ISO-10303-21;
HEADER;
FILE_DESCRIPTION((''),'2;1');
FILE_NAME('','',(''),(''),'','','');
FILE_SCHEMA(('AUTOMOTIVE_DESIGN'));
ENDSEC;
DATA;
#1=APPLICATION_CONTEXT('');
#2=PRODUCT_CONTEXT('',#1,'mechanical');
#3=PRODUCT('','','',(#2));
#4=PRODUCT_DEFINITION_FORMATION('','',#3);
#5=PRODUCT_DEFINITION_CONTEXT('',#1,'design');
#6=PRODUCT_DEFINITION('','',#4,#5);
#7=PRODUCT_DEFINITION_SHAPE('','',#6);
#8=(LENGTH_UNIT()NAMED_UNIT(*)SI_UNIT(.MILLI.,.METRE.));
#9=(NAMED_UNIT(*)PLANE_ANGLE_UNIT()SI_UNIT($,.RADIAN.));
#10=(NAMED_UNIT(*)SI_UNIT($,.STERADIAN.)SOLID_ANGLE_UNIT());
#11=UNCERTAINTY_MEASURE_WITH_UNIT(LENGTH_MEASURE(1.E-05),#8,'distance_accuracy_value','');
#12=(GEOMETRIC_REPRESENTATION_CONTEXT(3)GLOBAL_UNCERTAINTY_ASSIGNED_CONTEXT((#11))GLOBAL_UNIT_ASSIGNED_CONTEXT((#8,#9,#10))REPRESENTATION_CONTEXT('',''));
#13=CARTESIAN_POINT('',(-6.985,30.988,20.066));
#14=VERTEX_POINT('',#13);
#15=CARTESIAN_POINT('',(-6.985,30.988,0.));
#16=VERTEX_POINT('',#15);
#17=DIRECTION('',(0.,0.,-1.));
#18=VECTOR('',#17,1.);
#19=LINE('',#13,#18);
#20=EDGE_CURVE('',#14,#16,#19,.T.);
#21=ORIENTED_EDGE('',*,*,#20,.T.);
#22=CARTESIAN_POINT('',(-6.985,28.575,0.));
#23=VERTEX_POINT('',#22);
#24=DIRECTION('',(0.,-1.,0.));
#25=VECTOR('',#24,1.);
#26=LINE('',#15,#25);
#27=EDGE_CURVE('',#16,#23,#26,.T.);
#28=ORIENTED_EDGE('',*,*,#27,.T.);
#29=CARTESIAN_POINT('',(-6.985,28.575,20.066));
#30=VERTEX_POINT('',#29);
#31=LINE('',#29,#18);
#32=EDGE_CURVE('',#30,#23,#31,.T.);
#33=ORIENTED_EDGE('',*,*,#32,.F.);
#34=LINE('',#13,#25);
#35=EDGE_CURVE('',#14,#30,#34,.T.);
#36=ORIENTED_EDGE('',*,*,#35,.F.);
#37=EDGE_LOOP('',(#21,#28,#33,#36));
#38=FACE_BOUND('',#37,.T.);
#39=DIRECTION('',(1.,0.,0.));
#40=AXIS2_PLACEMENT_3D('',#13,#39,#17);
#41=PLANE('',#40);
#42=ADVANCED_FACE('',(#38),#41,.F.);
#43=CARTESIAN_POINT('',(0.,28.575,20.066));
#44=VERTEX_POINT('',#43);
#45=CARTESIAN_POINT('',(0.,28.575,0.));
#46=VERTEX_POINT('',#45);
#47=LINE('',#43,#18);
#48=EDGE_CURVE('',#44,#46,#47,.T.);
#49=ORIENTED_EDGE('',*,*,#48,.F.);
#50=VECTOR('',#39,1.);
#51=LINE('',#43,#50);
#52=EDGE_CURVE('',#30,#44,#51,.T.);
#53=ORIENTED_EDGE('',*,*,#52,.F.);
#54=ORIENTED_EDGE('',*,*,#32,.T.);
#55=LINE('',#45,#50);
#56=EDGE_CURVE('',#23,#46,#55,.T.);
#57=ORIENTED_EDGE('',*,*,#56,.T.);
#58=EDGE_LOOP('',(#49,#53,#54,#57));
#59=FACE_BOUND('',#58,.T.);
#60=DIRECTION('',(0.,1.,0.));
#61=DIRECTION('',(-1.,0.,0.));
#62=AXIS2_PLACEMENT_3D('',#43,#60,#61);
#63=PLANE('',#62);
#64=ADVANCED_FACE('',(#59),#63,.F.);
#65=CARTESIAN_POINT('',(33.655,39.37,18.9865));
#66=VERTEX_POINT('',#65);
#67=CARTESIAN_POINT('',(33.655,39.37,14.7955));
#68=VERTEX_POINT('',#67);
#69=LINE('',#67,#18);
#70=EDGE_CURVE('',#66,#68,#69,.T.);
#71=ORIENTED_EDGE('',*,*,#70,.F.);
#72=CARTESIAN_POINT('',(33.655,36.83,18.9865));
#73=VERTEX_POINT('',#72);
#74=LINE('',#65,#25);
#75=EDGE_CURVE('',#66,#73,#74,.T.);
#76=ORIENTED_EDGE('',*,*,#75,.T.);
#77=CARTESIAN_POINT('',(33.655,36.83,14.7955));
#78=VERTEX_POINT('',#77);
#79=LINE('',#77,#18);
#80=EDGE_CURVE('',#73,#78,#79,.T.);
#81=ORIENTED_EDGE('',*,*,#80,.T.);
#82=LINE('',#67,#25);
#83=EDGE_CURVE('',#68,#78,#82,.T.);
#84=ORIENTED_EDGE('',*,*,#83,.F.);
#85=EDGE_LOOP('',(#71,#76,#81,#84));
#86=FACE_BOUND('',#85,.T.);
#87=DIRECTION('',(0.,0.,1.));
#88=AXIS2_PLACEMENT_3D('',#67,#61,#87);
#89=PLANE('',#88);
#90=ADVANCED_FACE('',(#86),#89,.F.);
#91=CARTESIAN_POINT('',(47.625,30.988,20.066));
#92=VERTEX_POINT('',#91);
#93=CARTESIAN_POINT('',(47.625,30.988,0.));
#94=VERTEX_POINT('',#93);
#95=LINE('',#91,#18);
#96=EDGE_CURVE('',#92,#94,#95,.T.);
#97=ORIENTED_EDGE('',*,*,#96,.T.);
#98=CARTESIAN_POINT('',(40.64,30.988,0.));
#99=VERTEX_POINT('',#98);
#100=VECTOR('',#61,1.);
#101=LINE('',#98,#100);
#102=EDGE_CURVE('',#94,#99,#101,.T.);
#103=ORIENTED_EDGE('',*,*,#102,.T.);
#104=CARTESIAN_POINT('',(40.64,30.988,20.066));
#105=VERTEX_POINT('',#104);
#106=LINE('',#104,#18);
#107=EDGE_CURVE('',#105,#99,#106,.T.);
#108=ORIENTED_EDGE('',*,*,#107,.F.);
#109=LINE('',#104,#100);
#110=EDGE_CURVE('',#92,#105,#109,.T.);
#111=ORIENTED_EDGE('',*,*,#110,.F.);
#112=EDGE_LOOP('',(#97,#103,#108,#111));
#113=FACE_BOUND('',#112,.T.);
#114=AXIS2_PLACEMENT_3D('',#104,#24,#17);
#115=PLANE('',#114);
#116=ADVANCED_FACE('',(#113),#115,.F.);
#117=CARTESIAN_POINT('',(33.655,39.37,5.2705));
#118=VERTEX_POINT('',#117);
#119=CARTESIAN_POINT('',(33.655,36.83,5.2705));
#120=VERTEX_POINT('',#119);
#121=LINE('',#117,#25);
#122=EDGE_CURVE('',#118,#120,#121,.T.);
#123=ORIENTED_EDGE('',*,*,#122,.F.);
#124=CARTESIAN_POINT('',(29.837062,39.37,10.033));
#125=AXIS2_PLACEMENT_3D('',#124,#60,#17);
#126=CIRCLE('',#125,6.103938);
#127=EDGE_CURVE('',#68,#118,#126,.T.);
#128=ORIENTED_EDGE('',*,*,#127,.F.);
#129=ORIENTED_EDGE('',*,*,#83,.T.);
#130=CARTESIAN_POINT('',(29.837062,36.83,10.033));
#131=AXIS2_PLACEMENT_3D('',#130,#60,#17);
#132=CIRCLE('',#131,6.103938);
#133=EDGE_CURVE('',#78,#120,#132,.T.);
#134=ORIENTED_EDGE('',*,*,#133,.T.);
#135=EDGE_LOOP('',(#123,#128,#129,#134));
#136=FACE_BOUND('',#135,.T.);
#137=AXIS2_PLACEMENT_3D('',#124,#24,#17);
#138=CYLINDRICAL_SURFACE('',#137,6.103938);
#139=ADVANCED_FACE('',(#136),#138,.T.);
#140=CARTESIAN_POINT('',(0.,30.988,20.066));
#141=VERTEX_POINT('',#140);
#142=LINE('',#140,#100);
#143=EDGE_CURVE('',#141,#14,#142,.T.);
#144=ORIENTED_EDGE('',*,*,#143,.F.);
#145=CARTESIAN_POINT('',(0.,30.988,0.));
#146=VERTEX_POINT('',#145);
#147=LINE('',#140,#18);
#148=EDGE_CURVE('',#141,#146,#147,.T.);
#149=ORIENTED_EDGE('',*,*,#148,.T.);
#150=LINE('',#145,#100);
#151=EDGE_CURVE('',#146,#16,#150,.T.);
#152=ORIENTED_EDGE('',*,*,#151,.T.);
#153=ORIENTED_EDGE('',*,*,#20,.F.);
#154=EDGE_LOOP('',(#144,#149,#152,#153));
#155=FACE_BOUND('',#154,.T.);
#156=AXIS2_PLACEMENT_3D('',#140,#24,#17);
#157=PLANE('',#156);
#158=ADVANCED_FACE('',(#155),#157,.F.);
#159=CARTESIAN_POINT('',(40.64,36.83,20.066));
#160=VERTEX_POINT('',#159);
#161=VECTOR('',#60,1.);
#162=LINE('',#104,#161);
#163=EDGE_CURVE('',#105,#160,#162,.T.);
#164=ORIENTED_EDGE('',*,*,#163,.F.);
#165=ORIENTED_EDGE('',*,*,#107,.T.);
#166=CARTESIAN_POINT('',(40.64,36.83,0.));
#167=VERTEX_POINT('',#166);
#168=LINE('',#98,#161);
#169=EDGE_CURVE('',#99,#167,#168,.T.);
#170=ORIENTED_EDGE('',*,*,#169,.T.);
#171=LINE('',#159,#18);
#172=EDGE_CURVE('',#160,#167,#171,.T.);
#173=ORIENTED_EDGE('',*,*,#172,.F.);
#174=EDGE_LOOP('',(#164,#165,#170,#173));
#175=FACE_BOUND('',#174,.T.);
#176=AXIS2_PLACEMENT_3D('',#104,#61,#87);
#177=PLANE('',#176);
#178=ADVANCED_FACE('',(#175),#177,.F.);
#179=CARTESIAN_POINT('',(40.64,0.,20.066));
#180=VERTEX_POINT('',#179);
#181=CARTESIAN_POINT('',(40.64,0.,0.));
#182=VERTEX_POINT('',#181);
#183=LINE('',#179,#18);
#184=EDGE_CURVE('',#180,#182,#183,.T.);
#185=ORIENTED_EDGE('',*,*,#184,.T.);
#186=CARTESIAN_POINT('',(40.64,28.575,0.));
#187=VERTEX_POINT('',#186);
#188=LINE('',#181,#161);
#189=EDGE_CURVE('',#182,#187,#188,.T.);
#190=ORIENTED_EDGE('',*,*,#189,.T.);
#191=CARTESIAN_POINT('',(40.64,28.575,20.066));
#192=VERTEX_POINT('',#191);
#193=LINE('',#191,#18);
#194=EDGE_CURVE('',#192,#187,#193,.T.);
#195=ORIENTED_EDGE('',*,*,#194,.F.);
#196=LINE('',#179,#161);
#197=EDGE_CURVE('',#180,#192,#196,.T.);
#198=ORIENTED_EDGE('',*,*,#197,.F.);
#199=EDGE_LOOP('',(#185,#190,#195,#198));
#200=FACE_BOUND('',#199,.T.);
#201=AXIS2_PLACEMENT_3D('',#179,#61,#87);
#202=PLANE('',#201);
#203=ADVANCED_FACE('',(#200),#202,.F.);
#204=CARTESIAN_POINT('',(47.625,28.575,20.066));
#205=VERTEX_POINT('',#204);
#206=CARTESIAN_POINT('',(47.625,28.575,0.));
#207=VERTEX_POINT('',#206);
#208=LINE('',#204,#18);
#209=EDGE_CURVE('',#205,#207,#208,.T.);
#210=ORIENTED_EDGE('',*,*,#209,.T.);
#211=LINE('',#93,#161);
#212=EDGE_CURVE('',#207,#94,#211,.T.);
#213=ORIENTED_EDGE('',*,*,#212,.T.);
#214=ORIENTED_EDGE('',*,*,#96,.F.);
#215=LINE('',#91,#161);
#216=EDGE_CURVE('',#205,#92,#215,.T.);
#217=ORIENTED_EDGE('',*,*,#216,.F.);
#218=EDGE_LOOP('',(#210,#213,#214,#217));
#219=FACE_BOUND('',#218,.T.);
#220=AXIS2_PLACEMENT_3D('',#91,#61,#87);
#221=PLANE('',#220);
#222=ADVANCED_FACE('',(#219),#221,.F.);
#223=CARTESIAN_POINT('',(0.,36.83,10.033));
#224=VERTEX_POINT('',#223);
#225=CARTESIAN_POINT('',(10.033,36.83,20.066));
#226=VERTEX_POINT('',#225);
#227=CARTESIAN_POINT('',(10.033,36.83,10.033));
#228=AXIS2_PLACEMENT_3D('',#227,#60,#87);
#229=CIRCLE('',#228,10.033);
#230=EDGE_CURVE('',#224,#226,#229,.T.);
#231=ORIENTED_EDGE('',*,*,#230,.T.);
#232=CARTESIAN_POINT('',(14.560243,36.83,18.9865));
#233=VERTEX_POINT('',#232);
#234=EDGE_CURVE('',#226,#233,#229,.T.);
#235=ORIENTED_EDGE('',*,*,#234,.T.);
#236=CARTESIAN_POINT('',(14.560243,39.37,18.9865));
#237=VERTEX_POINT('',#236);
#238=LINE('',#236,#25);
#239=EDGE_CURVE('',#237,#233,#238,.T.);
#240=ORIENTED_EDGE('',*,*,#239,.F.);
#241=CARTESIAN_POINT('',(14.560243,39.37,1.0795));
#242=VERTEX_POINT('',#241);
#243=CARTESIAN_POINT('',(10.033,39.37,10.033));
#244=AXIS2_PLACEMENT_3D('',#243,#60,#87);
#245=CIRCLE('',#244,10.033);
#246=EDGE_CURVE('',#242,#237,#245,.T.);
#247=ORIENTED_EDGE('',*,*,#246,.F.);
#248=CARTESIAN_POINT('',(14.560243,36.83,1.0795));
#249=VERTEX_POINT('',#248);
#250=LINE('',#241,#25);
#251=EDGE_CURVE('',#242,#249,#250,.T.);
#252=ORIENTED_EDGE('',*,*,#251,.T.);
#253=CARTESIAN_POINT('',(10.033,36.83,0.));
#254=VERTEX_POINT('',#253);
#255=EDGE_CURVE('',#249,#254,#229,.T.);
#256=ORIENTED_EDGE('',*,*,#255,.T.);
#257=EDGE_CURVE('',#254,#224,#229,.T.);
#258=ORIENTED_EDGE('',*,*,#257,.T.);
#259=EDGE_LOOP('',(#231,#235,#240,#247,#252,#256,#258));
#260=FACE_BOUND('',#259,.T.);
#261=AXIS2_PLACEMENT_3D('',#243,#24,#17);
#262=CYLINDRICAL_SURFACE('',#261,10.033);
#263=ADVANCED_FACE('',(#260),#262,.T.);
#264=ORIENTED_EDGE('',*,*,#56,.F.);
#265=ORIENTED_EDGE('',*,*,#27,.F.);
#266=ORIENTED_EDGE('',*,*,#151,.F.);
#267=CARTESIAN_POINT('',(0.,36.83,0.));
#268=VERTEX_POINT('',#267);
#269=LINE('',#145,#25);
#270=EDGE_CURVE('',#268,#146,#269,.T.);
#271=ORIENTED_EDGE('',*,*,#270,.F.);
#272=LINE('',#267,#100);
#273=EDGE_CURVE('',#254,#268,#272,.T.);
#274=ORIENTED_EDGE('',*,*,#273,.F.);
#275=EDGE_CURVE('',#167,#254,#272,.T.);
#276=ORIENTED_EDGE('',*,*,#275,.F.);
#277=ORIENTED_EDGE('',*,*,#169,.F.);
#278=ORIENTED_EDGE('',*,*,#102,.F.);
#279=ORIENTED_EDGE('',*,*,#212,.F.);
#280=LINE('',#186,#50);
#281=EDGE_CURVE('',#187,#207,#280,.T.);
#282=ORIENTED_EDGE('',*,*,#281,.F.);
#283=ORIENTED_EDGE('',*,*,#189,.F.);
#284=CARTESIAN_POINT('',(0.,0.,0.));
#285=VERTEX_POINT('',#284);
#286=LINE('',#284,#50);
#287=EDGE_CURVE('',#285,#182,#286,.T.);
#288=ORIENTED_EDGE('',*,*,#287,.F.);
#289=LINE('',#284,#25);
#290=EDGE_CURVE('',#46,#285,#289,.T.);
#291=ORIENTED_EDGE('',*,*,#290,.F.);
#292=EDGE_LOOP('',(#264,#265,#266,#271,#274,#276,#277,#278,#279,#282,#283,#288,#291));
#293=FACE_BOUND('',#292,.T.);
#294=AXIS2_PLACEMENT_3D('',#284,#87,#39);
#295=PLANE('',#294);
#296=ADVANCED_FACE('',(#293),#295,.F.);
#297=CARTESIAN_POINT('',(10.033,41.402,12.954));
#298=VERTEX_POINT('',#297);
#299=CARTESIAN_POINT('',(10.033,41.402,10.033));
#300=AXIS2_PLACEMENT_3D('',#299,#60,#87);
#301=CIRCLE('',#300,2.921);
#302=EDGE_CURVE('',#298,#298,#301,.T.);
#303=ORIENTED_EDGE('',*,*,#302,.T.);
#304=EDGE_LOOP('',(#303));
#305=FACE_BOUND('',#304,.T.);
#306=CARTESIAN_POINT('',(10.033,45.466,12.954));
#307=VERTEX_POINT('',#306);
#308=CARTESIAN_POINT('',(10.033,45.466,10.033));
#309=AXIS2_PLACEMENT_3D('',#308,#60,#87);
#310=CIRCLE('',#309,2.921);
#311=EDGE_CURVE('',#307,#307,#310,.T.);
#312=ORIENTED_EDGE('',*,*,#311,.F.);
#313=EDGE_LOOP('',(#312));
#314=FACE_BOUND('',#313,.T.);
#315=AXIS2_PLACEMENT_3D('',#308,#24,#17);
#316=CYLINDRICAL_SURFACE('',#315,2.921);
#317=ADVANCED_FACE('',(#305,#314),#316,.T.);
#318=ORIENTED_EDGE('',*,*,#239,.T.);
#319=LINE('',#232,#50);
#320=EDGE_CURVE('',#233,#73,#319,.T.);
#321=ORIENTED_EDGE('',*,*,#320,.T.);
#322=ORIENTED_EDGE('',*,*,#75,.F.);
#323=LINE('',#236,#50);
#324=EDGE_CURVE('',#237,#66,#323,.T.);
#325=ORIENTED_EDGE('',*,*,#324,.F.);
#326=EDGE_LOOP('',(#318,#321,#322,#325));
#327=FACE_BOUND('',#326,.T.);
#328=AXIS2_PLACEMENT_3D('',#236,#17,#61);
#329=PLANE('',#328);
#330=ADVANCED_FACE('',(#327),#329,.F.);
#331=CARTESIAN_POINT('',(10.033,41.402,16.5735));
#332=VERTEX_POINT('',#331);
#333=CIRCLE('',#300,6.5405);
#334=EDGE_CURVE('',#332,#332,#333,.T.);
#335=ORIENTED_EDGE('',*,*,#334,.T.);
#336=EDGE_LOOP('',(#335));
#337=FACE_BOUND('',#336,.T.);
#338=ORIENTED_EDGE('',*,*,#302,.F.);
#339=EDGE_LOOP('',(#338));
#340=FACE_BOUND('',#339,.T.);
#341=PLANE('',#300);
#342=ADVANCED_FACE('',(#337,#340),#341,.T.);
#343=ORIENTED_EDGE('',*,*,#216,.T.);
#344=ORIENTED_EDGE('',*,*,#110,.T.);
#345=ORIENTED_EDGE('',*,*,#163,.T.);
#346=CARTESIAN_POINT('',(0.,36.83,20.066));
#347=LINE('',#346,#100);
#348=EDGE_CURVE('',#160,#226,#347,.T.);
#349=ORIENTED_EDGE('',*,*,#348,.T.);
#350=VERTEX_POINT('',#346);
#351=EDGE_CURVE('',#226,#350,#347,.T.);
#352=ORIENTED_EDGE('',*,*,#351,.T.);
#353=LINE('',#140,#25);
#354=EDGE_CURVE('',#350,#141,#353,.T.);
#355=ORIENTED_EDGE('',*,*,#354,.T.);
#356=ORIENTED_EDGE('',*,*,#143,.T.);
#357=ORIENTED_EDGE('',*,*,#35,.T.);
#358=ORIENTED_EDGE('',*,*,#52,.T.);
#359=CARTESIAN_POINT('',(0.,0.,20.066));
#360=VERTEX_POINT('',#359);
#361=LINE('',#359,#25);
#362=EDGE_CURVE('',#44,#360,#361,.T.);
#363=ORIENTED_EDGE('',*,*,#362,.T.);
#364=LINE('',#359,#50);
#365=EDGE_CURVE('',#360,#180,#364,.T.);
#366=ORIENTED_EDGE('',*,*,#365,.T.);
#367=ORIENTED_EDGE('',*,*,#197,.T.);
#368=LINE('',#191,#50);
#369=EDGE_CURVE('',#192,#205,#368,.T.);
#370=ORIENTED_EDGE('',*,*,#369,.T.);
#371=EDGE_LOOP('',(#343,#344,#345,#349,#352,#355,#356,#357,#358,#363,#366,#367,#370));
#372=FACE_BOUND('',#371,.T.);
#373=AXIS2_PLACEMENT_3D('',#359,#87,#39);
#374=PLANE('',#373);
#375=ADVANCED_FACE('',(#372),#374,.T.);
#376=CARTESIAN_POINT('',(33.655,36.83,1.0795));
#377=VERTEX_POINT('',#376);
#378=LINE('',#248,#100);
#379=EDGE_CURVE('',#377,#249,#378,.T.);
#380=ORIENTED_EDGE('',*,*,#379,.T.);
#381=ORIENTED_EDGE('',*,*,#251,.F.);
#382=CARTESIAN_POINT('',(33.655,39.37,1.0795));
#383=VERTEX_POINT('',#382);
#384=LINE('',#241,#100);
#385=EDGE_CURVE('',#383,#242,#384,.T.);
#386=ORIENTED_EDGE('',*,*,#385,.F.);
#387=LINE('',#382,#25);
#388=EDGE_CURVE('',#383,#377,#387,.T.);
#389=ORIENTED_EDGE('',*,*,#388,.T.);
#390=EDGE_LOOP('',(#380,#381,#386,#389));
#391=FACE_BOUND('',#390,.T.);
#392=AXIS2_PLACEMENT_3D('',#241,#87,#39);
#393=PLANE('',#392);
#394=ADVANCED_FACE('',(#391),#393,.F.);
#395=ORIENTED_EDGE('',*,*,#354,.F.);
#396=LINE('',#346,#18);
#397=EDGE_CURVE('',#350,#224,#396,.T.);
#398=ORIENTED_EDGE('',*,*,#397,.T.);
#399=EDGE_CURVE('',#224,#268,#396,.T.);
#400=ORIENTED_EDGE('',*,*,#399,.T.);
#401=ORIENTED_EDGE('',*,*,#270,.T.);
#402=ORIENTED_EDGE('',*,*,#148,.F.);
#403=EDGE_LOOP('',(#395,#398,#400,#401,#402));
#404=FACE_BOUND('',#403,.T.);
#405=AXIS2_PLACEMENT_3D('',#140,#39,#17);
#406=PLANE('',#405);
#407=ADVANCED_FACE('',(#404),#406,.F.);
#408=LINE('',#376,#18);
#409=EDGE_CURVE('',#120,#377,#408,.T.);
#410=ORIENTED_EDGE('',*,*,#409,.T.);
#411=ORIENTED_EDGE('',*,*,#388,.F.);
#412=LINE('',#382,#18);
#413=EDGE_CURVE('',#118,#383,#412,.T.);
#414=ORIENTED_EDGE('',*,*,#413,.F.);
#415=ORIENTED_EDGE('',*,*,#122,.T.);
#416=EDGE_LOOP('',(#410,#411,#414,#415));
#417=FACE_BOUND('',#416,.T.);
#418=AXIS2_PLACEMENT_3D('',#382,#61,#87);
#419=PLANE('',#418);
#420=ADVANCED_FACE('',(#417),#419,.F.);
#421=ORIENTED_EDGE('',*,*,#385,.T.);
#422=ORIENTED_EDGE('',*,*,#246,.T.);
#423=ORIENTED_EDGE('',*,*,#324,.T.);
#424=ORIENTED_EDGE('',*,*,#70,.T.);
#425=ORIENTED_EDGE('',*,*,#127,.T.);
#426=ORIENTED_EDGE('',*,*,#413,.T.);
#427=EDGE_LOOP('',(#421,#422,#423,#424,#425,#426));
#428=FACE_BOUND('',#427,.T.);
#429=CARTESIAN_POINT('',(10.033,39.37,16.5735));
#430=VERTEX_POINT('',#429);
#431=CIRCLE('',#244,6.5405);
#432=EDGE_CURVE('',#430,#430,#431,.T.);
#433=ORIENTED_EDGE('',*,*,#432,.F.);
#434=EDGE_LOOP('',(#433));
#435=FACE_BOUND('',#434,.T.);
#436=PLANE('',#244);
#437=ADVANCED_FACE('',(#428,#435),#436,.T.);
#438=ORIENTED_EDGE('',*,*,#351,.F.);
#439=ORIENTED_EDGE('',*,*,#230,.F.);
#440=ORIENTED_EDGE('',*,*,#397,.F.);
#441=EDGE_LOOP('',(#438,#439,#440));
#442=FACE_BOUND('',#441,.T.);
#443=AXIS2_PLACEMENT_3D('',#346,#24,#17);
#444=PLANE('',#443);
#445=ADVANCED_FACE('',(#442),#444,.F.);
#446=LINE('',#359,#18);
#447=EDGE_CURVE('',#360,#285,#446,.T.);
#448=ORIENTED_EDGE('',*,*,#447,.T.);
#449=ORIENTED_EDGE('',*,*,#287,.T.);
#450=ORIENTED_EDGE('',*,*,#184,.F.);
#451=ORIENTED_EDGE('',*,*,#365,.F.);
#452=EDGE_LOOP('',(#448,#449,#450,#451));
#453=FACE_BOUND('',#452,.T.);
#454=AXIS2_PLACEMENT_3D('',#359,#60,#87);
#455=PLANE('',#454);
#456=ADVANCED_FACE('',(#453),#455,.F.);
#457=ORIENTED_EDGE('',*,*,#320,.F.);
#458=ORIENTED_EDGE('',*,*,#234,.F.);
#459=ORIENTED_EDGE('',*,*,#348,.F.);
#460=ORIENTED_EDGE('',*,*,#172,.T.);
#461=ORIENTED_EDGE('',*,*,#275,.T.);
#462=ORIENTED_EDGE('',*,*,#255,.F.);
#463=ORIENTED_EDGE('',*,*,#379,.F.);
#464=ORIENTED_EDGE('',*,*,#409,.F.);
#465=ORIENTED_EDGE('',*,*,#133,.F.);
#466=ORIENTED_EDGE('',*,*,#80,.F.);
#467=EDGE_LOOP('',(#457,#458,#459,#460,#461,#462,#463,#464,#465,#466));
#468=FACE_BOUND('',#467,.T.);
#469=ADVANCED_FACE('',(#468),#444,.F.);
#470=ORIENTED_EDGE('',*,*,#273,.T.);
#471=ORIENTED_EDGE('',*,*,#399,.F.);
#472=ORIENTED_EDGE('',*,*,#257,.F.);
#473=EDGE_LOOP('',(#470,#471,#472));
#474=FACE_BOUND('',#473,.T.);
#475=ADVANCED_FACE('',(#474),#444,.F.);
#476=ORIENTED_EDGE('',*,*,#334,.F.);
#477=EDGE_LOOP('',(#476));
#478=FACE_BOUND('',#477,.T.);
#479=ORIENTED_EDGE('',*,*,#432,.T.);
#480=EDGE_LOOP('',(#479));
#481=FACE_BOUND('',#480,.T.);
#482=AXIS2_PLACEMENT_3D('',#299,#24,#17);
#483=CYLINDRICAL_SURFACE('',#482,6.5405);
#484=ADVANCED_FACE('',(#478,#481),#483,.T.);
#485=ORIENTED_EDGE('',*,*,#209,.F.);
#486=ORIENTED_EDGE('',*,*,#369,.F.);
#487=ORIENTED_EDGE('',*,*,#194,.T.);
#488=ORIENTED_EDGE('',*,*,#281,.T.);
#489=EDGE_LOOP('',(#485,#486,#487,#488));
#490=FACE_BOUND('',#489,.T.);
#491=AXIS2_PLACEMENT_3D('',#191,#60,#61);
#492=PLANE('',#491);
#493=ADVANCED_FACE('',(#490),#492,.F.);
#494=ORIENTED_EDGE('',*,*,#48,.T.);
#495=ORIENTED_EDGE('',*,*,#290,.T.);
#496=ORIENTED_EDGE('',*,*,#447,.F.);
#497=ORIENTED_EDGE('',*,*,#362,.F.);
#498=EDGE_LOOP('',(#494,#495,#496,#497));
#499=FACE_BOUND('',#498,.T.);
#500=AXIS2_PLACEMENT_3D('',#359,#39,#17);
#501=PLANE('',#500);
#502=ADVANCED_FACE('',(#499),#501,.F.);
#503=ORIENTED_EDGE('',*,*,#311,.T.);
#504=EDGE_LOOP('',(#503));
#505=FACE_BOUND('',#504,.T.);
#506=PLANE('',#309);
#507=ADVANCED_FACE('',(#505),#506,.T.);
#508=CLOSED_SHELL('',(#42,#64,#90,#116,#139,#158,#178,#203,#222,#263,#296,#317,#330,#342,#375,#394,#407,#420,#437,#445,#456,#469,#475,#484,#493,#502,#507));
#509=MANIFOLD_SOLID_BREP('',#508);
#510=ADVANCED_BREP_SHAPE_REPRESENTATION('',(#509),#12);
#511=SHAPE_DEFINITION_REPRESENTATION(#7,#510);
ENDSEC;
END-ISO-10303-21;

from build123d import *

# Parameters (mm, degrees)
BOSS_EXTRUDE1_DEPTH = 20.066
BOSS_EXTRUDE2_DEPTH = 2.54
SKETCH3_R           = 6.5405
BOSS_EXTRUDE3_DEPTH = 2.032
SKETCH4_R           = 2.921
BOSS_EXTRUDE4_DEPTH = 4.064


with BuildPart() as part:
    # Sketch1 → Boss-Extrude1 (new body)
    with BuildSketch(Plane.XY):
        Polygon((0, 0), (40.64, 0), (40.64, 28.575), (47.625, 28.575), (47.625, 30.988), (40.64, 30.988), (40.64, 36.83), (0, 36.83), (0, 30.988), (-6.985, 30.988), (-6.985, 28.575), (0, 28.575), align=None)
    extrude(amount=BOSS_EXTRUDE1_DEPTH)

    # Sketch2 → Boss-Extrude2 (add)
    with BuildSketch(Plane(origin=(0, 36.83, 0), x_dir=(1, 0, 0), z_dir=(0, 1, 0))):
        with BuildLine():
            Line((14.560242732, -1.0795), (33.655, -1.0795))
            Line((33.655, -1.0795), (33.655, -5.2705))
            ThreePointArc((33.655, -5.2705), (35.941, -10.033), (33.655, -14.7955))
            Line((33.655, -14.7955), (33.655, -18.9865))
            Line((33.655, -18.9865), (14.560242732, -18.9865))
            ThreePointArc((14.560242732, -18.9865), (0, -10.033), (14.560242732, -1.0795))
        make_face()
    extrude(amount=BOSS_EXTRUDE2_DEPTH)

    # Sketch3 → Boss-Extrude3 (add)
    with BuildSketch(Plane(origin=(0, 39.37, 0), x_dir=(1, 0, 0), z_dir=(0, 1, 0))):
        with Locations((10.033, -10.033)):
            Circle(SKETCH3_R)
    extrude(amount=BOSS_EXTRUDE3_DEPTH)

    # Sketch4 → Boss-Extrude4 (add)
    with BuildSketch(Plane(origin=(0, 41.402, 0), x_dir=(1, 0, 0), z_dir=(0, 1, 0))):
        with Locations((10.033, -10.033)):
            Circle(SKETCH4_R)
    extrude(amount=BOSS_EXTRUDE4_DEPTH)


solid = part.part
